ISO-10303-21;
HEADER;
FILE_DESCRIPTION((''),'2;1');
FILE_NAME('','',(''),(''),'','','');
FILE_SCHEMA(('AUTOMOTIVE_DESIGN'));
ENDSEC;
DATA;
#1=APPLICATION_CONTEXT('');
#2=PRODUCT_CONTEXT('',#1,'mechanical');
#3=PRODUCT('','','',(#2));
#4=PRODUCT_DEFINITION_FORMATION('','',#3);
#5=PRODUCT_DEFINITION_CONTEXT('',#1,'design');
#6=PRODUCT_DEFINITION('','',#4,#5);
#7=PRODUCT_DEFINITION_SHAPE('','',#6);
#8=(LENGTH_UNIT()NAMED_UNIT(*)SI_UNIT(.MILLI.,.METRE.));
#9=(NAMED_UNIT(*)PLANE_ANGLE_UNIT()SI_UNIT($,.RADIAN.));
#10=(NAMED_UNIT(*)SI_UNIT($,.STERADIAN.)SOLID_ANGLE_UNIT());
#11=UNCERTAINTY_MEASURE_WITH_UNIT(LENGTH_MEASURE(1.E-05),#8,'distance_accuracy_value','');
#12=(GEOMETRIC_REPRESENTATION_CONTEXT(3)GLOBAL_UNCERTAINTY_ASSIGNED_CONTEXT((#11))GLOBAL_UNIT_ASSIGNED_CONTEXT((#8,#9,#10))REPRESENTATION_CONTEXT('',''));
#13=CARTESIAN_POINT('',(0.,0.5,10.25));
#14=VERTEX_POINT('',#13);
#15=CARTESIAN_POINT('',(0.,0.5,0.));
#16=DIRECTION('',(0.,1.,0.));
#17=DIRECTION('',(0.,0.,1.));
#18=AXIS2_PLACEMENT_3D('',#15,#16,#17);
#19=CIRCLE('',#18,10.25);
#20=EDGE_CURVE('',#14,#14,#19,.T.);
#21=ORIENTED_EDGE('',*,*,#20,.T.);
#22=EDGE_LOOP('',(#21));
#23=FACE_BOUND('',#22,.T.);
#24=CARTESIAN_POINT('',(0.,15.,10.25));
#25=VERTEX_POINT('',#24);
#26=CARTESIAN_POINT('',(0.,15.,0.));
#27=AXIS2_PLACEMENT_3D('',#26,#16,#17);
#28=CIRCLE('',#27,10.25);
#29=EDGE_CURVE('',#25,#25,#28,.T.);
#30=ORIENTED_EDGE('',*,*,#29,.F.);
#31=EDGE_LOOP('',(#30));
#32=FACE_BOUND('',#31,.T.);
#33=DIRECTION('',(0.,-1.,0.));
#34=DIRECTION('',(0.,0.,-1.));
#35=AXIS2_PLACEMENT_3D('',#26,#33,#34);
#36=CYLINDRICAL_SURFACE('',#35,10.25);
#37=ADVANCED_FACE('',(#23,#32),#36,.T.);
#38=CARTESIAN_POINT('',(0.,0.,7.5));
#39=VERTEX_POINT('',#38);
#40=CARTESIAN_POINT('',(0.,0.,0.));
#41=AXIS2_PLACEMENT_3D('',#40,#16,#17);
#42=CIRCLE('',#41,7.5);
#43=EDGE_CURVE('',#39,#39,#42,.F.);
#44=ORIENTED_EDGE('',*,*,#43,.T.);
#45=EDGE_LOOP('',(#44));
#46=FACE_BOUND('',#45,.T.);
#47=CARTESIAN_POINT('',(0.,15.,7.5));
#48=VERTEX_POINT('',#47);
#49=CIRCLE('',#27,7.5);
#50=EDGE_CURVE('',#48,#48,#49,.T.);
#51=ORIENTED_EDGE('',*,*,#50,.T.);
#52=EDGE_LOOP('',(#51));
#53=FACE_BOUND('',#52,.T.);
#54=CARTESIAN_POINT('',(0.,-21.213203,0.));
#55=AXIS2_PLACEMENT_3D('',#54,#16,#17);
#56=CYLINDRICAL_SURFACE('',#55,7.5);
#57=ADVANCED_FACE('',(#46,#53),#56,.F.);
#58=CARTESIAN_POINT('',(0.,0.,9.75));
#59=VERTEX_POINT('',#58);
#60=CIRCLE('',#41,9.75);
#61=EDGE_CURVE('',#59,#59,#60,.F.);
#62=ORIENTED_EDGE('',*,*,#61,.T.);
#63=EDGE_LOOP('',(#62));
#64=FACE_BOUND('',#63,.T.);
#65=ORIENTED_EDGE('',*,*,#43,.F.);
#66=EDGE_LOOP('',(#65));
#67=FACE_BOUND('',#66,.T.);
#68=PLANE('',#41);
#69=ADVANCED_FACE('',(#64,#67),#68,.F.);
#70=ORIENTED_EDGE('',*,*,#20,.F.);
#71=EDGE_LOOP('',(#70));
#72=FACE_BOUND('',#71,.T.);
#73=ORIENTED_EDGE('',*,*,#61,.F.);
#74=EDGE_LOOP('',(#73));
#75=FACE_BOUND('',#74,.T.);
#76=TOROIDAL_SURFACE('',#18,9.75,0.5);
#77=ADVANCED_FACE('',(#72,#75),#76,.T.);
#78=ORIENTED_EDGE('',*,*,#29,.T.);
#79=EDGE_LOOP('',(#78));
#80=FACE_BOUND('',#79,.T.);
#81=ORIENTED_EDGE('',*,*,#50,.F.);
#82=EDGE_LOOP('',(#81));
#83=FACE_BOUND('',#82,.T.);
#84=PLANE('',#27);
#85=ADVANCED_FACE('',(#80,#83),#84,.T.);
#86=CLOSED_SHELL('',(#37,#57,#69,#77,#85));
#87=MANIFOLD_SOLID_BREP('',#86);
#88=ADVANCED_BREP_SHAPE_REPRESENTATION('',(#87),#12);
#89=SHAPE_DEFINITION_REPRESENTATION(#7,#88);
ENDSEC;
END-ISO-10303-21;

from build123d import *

# Parameters (mm, degrees)
SKETCH1_R           = 10.25
BOSS_EXTRUDE1_DEPTH = 15
SKETCH2_R           = 7.5
CUT_EXTRUDE1_DEPTH  = 15
FILLET1_R           = 0.5


with BuildPart() as part:
    # Sketch1 → Boss-Extrude1 (new body)
    with BuildSketch(Plane(origin=(0, 0, 0), x_dir=(1, 0, 0), z_dir=(0, 1, 0))):
        with Locations(Location((0, 0, 0), (0, 0, 270))):
            Circle(SKETCH1_R)
    extrude(amount=BOSS_EXTRUDE1_DEPTH)

    # Sketch2 → Cut-Extrude1 (cut)
    with BuildSketch(Plane(origin=(0, 15, 0), x_dir=(1, 0, 0), z_dir=(0, 1, 0))):
        with Locations(Location((0, 0, 0), (0, 0, 270))):
            Circle(SKETCH2_R)
    extrude(amount=-CUT_EXTRUDE1_DEPTH, mode=Mode.SUBTRACT)

    # Fillet1
    fillet1_edges = [part.edges().sort_by_distance(p)[0] for p in [
        (0, 0, -10.25),
    ]]
    fillet(fillet1_edges, radius=FILLET1_R)


solid = part.part
